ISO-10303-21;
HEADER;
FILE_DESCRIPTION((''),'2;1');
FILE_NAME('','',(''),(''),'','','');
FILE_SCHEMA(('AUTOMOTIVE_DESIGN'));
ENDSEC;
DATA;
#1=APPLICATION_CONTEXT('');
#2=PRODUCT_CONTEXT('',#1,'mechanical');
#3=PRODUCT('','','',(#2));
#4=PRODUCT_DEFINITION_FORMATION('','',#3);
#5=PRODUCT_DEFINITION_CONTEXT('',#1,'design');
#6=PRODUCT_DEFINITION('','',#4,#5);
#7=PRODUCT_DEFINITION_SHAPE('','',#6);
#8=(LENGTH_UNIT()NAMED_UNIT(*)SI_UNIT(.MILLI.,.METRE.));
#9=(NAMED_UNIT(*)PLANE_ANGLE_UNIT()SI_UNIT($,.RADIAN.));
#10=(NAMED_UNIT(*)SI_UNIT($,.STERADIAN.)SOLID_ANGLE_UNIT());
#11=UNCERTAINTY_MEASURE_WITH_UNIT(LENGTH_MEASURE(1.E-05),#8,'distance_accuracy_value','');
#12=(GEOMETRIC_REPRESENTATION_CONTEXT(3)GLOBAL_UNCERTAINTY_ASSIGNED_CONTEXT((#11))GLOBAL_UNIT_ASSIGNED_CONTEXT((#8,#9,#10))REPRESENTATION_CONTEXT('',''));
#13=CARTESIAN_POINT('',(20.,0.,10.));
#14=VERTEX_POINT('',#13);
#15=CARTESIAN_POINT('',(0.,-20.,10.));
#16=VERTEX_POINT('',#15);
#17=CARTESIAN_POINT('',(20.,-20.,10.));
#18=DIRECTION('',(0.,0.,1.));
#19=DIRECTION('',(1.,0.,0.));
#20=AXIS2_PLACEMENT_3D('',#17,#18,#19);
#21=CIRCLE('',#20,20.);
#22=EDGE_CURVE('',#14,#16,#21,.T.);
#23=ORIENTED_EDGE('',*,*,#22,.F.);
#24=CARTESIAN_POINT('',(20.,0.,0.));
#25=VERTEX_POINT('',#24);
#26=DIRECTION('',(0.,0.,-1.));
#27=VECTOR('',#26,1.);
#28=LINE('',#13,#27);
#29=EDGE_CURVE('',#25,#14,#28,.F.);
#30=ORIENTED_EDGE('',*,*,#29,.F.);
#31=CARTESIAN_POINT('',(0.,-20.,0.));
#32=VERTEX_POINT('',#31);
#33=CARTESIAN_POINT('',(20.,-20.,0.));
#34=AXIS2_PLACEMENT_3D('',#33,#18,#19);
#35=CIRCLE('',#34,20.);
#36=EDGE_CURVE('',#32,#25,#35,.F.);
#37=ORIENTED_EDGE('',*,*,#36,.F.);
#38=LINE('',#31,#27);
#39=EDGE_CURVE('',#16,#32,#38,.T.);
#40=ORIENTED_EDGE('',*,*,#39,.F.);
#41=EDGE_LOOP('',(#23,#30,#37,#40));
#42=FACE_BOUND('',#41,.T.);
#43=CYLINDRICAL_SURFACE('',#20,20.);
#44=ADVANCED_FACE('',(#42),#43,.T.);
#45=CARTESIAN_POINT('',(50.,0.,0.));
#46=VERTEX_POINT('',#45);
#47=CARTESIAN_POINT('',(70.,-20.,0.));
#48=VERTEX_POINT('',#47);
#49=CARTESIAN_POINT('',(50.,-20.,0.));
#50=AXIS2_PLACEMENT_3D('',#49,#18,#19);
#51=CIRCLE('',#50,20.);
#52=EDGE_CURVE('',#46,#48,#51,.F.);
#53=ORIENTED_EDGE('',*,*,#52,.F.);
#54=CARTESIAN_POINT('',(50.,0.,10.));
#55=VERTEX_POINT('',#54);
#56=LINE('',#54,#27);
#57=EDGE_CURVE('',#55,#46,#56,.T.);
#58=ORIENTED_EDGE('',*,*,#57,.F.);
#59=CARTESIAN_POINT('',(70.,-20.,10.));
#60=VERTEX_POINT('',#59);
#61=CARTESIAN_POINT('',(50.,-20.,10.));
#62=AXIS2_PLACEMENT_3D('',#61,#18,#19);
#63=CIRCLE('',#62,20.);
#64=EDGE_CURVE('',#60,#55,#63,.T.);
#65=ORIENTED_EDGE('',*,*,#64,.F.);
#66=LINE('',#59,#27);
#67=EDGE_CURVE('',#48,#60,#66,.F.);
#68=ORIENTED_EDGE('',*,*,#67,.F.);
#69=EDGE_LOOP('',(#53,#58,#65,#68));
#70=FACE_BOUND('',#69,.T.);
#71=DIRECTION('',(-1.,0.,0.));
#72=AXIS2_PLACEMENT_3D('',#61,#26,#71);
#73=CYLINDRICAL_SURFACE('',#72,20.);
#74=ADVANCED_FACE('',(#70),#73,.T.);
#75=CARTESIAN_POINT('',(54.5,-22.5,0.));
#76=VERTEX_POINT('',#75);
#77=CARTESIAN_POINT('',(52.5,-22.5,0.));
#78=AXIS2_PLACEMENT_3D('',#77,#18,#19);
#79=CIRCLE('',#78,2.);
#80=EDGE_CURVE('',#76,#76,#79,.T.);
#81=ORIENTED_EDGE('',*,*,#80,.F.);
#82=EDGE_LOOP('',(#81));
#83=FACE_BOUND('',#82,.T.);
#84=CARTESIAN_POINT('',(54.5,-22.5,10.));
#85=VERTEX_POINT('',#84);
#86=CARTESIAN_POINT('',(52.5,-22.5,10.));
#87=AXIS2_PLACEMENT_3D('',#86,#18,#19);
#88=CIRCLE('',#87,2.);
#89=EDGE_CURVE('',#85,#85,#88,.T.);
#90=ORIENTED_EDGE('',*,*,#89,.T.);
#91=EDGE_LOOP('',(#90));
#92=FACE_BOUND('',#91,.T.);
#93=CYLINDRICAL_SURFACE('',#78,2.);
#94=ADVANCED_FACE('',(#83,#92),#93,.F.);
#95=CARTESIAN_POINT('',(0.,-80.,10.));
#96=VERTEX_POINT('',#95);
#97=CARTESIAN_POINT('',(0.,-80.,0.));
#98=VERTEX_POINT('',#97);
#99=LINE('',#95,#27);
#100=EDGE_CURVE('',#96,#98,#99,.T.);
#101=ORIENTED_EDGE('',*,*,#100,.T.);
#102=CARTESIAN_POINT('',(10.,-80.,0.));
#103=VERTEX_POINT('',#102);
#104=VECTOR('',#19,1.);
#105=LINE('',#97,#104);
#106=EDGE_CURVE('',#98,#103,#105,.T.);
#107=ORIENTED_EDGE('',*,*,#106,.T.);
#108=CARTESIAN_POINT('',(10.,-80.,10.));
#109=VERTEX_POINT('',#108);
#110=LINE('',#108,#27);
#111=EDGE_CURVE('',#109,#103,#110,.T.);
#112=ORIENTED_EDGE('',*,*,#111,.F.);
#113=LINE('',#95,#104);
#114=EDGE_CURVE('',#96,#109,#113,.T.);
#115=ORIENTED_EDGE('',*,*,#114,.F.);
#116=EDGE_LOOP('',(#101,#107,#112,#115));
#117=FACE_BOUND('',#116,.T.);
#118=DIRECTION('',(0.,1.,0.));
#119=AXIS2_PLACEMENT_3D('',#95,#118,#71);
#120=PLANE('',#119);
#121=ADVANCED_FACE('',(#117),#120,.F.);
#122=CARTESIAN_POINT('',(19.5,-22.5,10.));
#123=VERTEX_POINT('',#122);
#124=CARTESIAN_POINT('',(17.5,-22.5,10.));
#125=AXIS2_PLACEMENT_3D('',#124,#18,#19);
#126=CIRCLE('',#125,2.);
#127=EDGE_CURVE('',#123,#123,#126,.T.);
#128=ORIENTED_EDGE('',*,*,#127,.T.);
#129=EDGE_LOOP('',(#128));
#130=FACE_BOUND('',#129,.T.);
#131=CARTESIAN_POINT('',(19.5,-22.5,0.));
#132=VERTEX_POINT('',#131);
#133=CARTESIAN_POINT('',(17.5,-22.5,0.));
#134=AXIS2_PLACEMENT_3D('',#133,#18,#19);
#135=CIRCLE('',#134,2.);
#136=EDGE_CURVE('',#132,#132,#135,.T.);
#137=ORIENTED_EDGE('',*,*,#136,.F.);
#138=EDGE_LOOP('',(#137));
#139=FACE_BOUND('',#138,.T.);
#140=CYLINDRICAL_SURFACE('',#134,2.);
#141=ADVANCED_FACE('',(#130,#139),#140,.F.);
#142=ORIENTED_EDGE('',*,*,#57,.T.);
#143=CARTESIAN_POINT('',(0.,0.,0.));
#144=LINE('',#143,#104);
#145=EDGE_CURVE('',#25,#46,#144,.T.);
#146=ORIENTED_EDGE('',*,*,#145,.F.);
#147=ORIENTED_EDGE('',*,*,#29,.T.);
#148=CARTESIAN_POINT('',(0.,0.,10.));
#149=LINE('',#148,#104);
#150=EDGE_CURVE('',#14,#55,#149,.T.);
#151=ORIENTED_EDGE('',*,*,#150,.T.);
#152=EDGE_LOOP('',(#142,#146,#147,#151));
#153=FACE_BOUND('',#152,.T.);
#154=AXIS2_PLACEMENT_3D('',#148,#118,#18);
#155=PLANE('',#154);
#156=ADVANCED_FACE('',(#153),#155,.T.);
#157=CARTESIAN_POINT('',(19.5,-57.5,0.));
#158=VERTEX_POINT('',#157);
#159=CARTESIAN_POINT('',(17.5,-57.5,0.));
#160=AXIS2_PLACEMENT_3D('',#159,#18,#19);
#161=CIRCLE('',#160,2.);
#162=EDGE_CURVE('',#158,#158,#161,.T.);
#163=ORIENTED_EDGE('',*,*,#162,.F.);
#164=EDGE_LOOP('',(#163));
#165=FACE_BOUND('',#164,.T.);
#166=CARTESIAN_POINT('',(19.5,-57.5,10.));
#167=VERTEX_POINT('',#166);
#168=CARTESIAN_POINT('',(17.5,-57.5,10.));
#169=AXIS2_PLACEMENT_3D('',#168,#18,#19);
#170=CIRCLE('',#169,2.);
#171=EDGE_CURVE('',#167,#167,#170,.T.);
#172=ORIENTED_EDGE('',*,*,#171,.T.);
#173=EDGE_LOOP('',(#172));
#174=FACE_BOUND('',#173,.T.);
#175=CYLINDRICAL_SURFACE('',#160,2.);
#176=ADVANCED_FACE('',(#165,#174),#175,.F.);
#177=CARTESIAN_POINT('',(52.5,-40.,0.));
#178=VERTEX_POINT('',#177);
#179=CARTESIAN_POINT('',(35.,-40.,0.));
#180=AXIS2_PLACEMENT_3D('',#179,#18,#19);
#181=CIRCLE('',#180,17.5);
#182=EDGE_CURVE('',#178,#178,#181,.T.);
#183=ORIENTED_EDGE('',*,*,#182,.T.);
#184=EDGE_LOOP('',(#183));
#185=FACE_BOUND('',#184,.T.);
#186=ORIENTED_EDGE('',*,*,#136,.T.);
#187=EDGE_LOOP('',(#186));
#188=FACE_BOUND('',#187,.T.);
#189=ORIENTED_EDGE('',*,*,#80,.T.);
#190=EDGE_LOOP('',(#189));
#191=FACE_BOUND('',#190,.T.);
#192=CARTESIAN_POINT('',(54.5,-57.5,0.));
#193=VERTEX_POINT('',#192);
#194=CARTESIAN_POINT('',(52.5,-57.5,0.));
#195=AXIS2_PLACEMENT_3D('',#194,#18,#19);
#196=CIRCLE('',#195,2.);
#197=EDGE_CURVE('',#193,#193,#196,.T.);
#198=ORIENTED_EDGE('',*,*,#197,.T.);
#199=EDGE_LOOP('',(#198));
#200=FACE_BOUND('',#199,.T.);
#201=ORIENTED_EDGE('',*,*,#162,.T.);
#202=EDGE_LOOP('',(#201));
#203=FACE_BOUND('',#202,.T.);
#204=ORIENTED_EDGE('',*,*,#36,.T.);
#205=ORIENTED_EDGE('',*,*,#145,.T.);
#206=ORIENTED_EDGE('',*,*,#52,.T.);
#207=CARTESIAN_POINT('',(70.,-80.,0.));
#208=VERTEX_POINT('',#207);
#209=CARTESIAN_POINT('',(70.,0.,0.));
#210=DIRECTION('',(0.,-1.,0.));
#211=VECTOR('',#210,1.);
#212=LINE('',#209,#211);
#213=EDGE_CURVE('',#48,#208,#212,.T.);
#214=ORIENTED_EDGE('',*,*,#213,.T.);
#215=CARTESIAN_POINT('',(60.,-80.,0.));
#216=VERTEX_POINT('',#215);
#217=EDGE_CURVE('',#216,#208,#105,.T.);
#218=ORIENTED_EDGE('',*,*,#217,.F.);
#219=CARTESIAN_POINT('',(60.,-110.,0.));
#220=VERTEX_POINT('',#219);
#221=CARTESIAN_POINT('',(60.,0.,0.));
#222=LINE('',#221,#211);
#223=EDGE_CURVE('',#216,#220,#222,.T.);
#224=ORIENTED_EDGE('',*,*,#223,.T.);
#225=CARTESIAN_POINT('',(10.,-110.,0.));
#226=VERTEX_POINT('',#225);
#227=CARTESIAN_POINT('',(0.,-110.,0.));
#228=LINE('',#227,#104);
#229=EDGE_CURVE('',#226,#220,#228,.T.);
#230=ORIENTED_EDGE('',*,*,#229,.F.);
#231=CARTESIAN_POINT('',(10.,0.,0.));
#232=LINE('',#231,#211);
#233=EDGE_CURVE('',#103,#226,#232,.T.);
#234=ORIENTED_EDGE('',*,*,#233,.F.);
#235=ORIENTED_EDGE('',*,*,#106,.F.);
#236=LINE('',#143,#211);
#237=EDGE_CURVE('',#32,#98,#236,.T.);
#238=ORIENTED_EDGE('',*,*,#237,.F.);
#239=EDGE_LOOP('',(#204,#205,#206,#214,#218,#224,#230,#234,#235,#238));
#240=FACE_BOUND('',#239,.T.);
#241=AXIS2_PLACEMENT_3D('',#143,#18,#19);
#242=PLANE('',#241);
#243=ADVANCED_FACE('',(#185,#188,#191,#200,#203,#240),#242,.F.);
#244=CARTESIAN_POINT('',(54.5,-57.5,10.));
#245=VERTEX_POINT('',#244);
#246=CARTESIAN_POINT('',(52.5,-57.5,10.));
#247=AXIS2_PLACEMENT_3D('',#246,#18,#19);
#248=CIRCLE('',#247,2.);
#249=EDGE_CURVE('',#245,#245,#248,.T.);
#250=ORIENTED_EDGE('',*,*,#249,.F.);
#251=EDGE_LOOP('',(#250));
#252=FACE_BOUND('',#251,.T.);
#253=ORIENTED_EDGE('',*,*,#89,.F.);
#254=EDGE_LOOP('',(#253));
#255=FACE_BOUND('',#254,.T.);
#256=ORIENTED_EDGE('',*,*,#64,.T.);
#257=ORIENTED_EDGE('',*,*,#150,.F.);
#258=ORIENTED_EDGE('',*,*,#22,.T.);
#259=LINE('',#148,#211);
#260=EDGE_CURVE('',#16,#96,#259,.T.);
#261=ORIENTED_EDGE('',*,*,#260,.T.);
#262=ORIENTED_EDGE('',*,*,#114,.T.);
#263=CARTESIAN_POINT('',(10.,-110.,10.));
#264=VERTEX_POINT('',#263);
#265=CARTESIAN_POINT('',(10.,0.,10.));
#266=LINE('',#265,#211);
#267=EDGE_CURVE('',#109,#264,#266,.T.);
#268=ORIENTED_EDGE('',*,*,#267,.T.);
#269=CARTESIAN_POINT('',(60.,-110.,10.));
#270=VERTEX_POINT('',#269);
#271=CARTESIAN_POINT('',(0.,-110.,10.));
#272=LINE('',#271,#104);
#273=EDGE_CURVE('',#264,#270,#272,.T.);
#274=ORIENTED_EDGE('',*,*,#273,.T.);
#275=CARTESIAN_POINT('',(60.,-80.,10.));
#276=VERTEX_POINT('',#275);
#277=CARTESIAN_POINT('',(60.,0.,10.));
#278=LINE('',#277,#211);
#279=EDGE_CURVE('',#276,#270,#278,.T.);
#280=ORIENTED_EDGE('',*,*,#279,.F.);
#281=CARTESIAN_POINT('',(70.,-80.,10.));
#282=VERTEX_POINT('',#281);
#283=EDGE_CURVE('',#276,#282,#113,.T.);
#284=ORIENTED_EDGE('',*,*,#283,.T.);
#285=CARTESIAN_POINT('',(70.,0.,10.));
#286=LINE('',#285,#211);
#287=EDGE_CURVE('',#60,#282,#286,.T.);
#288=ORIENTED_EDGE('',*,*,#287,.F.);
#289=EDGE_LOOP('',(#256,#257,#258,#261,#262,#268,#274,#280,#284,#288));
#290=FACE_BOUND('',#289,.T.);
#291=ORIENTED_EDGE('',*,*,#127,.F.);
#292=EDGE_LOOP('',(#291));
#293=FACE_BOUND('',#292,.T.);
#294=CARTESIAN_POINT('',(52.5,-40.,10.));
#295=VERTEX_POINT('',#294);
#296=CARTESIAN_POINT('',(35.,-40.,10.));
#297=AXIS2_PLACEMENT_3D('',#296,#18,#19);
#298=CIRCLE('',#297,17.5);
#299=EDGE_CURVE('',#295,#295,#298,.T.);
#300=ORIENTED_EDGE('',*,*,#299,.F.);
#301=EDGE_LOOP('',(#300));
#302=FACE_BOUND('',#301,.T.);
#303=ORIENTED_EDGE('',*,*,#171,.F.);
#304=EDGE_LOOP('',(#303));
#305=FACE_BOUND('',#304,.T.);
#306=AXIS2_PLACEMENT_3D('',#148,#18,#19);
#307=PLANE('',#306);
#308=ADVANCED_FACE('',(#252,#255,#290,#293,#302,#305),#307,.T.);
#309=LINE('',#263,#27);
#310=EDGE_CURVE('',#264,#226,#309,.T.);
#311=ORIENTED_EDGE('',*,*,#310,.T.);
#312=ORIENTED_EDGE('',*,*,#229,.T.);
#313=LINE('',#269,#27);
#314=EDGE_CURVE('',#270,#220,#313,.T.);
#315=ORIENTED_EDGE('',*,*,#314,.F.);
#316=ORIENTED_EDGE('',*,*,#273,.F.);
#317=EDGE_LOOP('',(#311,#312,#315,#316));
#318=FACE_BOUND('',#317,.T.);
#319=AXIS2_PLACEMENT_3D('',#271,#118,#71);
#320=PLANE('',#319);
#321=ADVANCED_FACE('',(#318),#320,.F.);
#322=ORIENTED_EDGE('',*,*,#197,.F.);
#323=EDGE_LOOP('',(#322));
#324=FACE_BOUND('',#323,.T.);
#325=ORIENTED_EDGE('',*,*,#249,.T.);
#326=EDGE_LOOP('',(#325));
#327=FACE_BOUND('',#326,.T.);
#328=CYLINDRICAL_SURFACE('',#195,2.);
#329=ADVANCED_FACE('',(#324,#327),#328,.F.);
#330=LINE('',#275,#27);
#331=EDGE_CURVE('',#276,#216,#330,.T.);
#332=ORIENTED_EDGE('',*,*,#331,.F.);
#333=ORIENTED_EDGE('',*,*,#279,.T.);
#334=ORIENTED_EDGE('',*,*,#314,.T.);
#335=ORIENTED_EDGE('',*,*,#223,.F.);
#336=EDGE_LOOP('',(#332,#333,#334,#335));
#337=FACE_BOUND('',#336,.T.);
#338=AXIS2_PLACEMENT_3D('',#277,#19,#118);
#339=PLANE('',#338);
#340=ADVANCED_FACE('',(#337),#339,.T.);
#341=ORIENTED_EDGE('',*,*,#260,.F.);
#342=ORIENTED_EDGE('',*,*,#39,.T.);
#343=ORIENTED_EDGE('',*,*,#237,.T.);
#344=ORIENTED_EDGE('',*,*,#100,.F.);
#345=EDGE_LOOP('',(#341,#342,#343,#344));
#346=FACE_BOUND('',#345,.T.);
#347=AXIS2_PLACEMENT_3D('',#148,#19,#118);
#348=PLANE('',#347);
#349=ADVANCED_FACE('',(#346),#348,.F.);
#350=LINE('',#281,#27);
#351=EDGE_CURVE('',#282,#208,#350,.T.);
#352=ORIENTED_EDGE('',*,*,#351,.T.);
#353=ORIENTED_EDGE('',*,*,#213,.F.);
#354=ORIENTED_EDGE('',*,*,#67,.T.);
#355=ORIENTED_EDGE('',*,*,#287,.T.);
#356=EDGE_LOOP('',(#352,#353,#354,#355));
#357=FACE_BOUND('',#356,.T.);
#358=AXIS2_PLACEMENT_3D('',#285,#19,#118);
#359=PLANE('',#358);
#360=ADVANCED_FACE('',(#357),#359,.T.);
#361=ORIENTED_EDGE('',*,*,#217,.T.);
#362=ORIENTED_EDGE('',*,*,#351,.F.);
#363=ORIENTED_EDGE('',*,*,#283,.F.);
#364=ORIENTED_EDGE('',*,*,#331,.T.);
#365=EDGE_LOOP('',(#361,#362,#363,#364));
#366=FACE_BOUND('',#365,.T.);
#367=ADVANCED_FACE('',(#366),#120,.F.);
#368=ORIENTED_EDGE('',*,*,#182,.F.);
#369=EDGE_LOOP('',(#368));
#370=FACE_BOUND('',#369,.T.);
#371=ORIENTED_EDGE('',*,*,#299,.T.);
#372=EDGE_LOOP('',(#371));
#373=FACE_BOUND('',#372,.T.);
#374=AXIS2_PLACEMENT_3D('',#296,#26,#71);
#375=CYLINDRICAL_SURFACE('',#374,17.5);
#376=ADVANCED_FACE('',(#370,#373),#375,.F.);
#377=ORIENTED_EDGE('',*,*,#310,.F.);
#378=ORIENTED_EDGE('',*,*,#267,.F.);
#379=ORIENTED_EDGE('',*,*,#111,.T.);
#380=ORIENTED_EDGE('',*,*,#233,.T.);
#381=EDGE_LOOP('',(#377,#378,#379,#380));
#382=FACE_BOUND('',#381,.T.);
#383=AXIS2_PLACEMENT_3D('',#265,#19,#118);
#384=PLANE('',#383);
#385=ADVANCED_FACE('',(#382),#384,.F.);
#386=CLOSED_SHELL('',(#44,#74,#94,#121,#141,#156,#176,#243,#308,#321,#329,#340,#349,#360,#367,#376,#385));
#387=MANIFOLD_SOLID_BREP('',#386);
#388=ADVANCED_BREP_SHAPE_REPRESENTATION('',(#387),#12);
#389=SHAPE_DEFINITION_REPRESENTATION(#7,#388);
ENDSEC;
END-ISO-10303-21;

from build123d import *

# Parameters (mm, degrees)
SKETCH1_W           = 70
SKETCH1_H           = 80
SKETCH1_R           = 17.5
SKETCH1_W_2         = 50
SKETCH1_H_2         = 30
BOSS_EXTRUDE1_DEPTH = 10
FILLET1_R           = 20
SKETCH2_R           = 2
CUT_EXTRUDE1_DEPTH  = 10


with BuildPart() as part:
    # Sketch1 → Boss-Extrude1 (new body)
    with BuildSketch(Plane.XY):
        with Locations((35, -40)):
            Rectangle(SKETCH1_W, SKETCH1_H)
        with Locations((35, -40)):
            Circle(SKETCH1_R, mode=Mode.SUBTRACT)
        with Locations((35, -95)):
            Rectangle(SKETCH1_W_2, SKETCH1_H_2)
    extrude(amount=BOSS_EXTRUDE1_DEPTH)

    # Fillet1
    fillet1_edges = [part.edges().sort_by_distance(p)[0] for p in [
        (70, 0, 5),
        (0, 0, 5),
    ]]
    fillet(fillet1_edges, radius=FILLET1_R)

    # Sketch2 → Cut-Extrude1 (cut)
    with BuildSketch(Plane.XY.offset(10)):
        with Locations((17.5, -22.5)):
            Circle(SKETCH2_R)
        with Locations((52.5, -22.5)):
            Circle(SKETCH2_R)
        with Locations((52.5, -57.5)):
            Circle(SKETCH2_R)
        with Locations((17.5, -57.5)):
            Circle(SKETCH2_R)
    extrude(amount=-CUT_EXTRUDE1_DEPTH, mode=Mode.SUBTRACT)


solid = part.part
